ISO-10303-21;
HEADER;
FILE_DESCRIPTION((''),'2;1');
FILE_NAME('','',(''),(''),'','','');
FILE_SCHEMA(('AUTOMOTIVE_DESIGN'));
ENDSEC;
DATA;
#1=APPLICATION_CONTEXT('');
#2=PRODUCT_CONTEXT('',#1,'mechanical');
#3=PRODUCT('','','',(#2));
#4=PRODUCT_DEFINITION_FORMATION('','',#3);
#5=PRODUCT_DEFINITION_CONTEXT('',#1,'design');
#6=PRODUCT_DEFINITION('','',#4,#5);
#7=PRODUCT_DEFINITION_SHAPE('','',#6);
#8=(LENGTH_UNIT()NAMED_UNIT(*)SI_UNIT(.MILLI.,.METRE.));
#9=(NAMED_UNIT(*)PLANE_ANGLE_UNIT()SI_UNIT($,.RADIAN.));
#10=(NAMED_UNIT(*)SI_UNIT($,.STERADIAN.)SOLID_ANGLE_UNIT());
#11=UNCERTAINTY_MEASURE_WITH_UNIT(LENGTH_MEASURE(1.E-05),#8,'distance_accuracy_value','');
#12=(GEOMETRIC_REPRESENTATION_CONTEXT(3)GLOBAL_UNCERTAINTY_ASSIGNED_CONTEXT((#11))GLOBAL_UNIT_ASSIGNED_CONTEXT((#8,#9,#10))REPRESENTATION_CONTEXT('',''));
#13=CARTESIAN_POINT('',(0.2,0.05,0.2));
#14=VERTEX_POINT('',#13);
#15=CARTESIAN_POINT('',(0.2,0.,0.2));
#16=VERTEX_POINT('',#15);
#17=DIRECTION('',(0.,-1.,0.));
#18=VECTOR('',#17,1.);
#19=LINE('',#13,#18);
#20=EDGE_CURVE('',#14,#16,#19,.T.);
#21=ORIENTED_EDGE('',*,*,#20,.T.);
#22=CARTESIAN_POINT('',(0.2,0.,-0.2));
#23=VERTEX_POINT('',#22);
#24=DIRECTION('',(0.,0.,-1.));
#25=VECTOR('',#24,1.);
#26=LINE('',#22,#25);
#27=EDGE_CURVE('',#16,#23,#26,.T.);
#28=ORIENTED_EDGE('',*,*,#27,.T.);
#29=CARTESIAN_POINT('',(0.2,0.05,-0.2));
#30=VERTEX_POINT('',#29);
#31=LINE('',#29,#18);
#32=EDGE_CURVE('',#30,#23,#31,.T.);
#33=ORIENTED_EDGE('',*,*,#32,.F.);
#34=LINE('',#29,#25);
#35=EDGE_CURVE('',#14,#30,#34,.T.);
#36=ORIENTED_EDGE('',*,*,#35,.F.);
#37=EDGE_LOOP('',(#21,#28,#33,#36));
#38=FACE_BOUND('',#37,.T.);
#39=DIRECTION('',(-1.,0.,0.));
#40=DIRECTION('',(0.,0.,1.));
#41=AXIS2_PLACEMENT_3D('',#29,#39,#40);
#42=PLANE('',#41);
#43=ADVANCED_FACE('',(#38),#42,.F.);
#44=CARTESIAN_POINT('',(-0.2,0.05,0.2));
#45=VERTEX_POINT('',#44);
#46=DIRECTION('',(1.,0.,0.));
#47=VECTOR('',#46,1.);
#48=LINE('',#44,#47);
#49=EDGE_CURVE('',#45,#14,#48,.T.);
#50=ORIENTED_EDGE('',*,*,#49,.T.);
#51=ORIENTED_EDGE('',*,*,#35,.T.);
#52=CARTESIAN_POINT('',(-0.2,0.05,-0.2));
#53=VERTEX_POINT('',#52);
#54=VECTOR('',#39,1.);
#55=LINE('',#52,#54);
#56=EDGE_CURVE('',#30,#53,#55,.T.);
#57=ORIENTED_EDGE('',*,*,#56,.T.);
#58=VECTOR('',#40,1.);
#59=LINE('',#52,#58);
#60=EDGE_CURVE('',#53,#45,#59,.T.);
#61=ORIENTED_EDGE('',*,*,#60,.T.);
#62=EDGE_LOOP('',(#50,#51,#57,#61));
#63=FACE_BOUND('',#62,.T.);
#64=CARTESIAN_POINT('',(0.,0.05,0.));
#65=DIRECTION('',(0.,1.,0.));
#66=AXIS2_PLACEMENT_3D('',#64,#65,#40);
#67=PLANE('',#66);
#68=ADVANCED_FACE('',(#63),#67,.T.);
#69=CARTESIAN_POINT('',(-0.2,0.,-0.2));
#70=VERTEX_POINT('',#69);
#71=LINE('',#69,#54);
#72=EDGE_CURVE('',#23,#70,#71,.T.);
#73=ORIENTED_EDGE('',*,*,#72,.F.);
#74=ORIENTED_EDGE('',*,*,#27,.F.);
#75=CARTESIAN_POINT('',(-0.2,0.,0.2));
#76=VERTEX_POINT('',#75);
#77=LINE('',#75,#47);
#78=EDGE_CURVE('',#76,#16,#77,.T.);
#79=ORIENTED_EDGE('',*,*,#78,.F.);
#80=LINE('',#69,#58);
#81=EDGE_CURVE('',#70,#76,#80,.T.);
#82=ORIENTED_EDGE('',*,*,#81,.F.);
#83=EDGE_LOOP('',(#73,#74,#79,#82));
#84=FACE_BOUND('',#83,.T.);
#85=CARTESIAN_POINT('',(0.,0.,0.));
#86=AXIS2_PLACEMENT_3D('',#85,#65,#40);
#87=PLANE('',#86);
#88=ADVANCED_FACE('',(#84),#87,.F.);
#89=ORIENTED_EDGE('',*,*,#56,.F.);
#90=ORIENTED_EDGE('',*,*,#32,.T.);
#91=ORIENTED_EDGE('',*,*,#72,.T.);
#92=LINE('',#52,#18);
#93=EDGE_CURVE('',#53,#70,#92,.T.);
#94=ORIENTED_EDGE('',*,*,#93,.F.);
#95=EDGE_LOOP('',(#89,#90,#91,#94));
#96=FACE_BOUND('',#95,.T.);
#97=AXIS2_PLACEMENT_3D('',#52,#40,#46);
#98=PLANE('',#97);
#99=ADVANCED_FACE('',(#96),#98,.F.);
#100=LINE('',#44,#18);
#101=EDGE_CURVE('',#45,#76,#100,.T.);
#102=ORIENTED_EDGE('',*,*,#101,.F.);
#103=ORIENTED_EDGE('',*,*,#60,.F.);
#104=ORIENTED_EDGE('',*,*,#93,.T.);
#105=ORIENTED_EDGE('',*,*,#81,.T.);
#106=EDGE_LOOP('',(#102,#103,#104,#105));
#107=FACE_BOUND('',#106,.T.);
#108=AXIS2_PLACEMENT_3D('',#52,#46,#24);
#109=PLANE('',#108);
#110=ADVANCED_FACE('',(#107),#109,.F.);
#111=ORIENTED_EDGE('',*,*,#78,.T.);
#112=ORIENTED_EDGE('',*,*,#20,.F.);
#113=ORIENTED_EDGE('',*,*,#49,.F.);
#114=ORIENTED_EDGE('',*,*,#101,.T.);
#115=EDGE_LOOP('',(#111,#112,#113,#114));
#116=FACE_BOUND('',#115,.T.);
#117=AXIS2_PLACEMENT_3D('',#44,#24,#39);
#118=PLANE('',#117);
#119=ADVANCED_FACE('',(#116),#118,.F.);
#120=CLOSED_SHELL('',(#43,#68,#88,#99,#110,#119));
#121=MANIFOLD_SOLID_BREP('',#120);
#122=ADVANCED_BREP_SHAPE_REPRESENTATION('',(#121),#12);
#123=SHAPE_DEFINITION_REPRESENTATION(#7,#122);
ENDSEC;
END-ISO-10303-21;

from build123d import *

# Parameters (mm, degrees)
SKETCH1_W           = 0.4
SKETCH1_H           = 0.4
BOSS_EXTRUDE1_DEPTH = 0.05


with BuildPart() as part:
    # Sketch1 → Boss-Extrude1 (new body)
    with BuildSketch(Plane(origin=(0, 0, 0), x_dir=(1, 0, 0), z_dir=(0, 1, 0))):
        Rectangle(SKETCH1_W, SKETCH1_H)
    extrude(amount=BOSS_EXTRUDE1_DEPTH)


solid = part.part
